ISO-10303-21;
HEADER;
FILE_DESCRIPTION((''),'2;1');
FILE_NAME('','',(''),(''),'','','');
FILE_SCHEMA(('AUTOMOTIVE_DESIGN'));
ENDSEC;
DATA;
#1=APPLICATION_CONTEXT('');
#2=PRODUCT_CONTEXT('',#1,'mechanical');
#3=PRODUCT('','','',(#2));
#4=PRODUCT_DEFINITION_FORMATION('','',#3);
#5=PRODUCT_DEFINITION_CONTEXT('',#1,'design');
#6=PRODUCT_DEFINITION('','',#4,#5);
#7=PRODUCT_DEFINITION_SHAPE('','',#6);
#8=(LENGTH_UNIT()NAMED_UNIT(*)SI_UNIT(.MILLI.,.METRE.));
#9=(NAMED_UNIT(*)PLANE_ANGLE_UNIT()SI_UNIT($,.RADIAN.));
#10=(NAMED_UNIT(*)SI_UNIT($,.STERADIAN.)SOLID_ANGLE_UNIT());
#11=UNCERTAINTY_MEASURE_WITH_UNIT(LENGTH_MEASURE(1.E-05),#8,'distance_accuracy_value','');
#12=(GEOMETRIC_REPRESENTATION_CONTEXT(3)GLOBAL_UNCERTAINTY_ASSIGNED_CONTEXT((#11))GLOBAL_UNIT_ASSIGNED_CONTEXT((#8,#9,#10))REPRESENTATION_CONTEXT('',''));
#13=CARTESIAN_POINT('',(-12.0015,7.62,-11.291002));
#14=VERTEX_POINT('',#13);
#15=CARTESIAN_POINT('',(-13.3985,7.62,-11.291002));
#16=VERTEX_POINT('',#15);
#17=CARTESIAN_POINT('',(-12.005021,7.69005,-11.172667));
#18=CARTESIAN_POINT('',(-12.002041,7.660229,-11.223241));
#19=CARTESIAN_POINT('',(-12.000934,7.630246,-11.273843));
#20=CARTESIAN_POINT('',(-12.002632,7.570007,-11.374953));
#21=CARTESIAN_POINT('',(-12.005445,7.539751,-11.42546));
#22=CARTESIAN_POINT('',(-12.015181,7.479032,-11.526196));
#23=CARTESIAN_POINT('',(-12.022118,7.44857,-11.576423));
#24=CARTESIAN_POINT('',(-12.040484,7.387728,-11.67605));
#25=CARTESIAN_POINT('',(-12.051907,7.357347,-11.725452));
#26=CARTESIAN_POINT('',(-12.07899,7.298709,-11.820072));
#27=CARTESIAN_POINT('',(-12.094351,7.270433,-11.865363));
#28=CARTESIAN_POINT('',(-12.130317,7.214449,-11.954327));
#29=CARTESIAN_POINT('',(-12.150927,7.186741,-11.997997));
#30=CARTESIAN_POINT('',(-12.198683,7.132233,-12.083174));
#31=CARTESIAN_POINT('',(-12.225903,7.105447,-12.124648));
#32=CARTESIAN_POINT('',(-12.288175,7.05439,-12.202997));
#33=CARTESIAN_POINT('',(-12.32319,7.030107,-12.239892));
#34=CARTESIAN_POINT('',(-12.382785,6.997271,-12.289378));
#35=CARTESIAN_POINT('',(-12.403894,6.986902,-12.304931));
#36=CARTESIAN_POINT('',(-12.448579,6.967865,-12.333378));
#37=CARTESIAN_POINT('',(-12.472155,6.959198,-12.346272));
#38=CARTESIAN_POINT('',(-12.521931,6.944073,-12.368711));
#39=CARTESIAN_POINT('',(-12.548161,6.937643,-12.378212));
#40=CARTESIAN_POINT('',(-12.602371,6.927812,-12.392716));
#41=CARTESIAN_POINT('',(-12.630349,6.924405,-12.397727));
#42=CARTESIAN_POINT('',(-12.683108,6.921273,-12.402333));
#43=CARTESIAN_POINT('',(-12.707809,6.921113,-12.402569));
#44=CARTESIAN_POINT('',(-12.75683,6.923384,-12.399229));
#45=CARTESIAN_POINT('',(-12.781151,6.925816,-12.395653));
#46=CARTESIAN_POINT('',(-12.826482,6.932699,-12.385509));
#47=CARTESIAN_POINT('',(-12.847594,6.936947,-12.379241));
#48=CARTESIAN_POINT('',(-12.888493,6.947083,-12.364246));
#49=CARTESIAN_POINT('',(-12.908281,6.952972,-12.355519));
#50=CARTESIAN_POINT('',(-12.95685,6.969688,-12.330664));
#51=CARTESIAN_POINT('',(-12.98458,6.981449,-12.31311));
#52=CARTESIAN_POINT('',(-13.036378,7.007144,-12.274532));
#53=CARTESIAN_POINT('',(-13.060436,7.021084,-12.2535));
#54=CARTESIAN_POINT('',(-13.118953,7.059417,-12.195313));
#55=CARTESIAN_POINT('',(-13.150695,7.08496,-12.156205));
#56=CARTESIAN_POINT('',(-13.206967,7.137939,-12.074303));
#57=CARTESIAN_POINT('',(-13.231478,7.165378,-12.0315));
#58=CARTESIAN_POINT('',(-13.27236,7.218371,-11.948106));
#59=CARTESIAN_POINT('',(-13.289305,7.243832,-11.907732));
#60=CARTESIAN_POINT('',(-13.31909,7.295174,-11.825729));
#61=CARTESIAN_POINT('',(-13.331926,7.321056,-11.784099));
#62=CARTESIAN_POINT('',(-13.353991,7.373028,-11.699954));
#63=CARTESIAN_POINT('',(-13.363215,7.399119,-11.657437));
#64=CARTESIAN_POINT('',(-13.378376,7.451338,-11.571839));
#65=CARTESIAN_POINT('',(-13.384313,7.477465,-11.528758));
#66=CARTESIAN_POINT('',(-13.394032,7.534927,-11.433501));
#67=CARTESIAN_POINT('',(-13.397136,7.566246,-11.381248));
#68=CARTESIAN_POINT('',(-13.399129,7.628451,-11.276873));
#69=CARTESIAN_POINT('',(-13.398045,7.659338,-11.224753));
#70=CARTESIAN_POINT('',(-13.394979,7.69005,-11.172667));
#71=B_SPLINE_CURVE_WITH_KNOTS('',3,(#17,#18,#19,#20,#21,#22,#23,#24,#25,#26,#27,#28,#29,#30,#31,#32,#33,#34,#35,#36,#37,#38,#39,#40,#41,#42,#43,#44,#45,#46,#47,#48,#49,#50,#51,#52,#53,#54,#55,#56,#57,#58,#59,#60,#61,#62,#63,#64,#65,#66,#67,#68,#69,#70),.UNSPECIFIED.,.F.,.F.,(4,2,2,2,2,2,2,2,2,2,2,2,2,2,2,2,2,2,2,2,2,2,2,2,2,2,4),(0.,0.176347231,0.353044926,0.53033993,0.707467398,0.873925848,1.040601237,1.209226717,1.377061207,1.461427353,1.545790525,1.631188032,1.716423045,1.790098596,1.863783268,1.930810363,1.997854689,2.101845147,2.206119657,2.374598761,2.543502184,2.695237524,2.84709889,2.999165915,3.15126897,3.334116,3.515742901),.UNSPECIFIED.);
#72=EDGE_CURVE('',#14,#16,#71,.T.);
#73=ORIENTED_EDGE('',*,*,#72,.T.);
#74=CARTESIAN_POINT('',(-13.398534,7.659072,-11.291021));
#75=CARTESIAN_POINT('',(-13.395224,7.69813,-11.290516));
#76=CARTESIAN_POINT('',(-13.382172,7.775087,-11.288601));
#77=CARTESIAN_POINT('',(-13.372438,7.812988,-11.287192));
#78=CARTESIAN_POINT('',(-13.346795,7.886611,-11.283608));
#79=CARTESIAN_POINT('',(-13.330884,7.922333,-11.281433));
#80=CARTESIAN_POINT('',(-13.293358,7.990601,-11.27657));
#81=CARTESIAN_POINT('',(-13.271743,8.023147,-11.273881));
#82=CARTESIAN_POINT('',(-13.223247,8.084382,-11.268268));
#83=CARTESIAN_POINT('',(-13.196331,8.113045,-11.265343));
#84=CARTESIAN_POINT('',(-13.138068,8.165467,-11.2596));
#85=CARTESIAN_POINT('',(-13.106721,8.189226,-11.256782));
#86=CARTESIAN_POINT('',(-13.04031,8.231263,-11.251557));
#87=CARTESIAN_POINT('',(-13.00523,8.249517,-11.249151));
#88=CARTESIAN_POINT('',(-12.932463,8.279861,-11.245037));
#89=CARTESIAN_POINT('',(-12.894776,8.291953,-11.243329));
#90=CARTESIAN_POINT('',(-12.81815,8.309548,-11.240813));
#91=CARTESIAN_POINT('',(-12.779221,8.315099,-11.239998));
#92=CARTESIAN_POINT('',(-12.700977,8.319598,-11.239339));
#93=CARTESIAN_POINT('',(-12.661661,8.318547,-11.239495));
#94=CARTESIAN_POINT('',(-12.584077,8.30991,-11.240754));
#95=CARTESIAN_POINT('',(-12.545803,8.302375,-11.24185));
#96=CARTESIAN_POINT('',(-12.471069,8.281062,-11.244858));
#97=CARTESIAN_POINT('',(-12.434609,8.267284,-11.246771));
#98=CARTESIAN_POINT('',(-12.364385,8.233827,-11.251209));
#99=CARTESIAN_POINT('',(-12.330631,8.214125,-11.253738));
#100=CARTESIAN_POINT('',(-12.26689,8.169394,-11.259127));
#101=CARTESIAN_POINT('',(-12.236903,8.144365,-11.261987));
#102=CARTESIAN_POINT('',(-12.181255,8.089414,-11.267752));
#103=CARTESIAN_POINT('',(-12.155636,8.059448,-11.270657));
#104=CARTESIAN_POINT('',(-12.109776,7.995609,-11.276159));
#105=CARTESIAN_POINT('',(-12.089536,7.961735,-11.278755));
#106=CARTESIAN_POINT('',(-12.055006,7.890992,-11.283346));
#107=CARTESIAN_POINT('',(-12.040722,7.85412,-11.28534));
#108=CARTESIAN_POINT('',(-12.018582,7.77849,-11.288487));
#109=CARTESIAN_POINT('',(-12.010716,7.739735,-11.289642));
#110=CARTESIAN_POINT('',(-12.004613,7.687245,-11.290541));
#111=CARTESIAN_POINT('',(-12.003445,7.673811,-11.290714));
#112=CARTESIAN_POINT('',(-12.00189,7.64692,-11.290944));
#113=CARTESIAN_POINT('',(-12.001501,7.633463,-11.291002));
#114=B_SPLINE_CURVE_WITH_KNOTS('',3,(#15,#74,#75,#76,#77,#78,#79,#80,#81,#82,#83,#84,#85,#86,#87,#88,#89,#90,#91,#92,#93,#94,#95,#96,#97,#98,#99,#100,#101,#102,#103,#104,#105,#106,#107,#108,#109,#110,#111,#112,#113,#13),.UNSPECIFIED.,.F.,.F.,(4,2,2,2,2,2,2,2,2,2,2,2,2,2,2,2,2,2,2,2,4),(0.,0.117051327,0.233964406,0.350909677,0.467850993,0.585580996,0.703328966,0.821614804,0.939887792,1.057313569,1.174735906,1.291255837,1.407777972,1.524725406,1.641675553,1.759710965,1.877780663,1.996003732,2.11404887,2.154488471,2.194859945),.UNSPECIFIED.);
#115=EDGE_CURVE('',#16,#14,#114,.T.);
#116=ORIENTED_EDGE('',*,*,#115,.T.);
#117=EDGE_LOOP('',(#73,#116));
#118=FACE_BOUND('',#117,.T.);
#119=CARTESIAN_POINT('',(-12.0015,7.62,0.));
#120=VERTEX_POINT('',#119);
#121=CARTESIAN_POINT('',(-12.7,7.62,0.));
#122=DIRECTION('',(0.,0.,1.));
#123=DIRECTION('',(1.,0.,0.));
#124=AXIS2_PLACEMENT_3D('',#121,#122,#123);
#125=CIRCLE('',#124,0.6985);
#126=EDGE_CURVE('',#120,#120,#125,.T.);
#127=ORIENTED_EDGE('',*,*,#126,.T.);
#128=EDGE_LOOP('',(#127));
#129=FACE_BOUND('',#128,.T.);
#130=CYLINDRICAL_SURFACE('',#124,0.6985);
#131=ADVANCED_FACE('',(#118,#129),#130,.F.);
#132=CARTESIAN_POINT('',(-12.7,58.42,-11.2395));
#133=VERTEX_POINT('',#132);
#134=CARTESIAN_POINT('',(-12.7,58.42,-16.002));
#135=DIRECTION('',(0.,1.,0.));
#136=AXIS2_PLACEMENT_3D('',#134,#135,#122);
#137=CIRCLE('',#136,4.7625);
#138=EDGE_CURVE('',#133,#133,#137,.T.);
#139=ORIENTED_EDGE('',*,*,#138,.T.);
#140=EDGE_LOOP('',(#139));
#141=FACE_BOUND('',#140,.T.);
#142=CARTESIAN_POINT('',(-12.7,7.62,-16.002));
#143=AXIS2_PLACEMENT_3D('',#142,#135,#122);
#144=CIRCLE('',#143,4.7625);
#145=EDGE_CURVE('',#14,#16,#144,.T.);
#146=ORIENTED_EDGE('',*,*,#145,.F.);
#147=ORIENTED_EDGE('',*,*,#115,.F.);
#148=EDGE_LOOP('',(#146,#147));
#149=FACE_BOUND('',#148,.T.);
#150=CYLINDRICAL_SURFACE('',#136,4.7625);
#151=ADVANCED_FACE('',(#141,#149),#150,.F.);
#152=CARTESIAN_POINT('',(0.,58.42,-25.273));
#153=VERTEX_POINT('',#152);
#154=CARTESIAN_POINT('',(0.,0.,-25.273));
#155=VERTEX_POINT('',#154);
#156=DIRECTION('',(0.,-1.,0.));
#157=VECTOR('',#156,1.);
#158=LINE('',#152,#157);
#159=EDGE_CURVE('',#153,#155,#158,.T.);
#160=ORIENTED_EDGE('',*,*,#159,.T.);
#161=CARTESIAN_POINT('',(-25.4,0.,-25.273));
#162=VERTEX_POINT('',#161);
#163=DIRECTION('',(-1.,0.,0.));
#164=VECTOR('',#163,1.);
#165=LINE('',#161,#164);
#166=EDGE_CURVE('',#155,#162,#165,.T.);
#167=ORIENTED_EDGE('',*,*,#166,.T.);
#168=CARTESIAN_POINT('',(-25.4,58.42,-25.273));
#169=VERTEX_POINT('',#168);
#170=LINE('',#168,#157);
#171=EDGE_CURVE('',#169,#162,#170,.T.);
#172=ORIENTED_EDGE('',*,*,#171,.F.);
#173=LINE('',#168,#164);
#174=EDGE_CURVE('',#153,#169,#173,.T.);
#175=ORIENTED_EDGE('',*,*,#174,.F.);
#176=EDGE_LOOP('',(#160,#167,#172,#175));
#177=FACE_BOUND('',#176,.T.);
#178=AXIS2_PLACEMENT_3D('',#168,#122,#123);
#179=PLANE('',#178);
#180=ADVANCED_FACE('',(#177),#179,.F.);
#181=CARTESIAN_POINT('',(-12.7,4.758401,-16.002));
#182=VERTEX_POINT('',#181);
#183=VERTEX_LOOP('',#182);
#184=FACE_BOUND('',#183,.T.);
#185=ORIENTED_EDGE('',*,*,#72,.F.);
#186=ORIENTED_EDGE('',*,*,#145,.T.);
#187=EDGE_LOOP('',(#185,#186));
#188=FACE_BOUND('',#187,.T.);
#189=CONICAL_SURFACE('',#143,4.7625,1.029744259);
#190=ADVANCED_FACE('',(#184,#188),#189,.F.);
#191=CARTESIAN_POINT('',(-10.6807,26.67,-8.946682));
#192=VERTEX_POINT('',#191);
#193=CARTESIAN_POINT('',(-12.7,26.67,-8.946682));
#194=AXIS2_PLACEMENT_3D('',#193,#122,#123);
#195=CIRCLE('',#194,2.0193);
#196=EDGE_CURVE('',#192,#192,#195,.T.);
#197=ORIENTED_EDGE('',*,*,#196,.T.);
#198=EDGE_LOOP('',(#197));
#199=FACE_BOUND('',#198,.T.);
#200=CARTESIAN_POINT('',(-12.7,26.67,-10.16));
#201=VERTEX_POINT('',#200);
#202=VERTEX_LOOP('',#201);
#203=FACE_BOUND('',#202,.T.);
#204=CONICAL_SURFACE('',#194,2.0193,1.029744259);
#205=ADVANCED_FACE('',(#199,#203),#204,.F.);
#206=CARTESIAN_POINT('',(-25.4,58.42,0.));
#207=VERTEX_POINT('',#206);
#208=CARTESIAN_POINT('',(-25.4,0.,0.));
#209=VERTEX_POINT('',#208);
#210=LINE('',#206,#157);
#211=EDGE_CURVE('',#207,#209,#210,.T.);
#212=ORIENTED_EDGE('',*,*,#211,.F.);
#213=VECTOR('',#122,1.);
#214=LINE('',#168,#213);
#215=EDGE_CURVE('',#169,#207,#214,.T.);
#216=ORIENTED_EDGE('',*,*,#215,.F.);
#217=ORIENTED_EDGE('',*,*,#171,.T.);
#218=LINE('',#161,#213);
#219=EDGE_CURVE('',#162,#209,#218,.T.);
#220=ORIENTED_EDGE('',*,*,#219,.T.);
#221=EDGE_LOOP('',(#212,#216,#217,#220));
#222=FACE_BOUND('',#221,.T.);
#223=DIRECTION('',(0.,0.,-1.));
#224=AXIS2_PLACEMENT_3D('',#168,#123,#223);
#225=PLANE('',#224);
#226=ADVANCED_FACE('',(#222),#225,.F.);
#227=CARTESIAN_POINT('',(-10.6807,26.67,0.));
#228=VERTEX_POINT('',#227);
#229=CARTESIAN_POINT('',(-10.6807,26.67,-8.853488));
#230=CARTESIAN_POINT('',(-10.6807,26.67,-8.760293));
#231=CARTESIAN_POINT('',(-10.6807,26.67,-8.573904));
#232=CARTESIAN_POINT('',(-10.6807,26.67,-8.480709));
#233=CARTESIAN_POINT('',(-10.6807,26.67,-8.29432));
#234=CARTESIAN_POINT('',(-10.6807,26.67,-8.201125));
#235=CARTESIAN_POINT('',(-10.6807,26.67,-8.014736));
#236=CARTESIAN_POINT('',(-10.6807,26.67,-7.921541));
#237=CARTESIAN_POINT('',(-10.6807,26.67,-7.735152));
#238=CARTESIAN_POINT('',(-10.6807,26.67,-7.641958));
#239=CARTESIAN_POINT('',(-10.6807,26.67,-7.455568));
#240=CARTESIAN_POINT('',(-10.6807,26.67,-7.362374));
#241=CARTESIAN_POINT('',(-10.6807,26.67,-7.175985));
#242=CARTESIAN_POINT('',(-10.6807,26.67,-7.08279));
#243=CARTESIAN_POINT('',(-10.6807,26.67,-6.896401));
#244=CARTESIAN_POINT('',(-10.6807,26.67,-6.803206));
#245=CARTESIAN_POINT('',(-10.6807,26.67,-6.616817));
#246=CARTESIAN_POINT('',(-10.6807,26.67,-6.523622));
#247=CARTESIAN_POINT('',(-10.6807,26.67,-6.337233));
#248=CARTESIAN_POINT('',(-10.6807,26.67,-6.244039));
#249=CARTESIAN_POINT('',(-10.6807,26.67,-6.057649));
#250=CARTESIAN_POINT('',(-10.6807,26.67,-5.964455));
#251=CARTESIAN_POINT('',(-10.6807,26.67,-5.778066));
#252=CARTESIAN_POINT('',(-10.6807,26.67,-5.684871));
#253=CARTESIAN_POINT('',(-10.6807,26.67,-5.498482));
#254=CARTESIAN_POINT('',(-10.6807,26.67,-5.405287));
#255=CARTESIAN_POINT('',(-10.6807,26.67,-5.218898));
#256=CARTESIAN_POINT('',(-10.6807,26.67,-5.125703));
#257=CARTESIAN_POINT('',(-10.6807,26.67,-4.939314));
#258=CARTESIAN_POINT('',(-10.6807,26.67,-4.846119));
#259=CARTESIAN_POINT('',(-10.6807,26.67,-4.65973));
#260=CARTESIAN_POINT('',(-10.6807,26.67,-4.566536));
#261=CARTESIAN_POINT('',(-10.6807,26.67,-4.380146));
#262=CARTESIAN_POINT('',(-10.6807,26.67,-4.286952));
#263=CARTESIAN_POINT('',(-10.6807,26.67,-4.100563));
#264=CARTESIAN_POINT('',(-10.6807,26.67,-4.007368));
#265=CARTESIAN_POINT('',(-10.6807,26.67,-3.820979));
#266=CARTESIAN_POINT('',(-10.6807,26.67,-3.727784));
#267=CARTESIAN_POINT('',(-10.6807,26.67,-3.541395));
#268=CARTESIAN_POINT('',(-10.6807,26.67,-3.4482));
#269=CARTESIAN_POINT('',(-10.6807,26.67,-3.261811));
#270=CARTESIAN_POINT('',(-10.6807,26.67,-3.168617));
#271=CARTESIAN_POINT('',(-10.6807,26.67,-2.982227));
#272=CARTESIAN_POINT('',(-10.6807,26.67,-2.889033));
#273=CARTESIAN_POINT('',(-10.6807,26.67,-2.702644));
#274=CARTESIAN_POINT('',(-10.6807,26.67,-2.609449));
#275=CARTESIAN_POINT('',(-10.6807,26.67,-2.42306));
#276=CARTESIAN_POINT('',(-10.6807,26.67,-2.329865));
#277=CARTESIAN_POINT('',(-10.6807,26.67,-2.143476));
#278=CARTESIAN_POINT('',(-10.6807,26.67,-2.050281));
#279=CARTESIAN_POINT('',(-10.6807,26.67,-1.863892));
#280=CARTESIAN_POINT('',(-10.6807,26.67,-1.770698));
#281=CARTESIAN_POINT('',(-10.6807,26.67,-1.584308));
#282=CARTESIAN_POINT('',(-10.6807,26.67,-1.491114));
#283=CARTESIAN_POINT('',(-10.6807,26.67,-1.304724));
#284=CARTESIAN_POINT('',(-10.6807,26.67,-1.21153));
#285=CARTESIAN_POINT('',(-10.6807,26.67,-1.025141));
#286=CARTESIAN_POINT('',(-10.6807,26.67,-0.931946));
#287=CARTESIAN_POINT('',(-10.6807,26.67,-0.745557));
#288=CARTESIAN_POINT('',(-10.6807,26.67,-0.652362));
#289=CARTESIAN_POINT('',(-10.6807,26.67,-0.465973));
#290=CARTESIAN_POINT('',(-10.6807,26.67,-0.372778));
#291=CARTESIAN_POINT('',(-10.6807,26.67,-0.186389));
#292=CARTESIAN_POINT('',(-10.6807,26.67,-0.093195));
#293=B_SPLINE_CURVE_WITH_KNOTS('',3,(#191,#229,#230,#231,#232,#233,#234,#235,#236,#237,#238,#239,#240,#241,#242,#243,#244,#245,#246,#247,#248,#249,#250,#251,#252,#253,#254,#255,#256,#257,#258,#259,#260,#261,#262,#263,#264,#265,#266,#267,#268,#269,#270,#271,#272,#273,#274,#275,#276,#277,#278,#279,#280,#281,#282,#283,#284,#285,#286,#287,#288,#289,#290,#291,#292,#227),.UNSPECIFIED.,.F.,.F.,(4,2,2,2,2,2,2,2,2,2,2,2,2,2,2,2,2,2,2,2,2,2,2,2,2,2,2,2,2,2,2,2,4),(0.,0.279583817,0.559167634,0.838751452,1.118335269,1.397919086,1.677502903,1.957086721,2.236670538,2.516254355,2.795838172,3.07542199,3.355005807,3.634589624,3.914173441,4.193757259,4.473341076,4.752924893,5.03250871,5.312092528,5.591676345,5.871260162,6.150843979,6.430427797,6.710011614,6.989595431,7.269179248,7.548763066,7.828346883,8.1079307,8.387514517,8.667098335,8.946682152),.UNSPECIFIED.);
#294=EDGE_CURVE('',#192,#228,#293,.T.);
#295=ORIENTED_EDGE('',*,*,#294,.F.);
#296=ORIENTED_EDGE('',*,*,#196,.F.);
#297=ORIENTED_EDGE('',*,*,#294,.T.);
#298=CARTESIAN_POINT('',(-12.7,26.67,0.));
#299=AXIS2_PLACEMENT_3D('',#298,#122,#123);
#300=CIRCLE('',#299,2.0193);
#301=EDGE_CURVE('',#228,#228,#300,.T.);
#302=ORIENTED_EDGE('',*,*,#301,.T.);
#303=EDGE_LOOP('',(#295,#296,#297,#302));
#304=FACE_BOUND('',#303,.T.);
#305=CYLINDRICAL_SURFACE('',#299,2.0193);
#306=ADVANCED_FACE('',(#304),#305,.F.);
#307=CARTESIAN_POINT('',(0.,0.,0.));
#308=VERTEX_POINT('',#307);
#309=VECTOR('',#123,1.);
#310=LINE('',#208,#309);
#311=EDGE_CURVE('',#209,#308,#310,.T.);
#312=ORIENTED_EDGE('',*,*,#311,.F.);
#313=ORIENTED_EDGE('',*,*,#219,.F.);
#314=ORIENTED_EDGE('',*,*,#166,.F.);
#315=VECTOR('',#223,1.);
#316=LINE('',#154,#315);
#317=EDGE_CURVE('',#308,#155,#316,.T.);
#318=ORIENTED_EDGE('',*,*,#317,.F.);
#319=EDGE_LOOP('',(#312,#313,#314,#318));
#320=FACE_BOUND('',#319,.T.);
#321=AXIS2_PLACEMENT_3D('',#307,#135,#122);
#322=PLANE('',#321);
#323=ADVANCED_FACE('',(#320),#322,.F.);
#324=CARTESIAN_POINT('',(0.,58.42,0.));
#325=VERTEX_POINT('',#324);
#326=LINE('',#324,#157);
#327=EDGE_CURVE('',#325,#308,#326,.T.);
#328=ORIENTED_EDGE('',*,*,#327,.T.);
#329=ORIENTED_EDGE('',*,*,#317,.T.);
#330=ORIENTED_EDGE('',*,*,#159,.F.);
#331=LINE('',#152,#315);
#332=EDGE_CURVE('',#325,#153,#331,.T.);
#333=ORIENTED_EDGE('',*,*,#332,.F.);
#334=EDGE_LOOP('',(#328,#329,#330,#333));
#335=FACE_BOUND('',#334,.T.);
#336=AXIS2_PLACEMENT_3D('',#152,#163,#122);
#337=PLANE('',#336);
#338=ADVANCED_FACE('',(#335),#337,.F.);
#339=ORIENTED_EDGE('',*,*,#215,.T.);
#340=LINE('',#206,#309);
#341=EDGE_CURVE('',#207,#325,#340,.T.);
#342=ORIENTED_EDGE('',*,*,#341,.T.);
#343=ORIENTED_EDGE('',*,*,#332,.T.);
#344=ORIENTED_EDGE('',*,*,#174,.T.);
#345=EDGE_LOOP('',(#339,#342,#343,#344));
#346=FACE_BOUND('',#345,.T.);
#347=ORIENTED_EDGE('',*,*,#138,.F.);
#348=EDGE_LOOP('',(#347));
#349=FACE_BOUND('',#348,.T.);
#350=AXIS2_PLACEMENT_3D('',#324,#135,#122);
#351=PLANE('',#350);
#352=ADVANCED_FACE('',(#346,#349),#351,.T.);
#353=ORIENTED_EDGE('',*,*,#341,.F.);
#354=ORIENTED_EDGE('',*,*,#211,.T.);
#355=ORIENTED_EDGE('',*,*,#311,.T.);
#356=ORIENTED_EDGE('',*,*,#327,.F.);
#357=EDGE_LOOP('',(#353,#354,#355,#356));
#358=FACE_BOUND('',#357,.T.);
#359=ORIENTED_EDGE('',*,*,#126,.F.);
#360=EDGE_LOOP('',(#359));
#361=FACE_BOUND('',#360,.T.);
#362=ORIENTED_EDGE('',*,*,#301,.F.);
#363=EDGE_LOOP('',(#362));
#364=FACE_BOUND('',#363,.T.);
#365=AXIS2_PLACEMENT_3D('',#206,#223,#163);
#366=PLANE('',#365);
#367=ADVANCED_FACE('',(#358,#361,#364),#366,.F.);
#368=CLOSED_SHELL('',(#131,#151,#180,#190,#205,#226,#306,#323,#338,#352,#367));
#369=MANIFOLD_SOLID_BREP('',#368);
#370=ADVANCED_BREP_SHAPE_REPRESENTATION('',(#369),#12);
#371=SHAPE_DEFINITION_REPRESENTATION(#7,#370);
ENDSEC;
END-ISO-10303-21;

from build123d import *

# Parameters (mm, degrees)
SKETCH1_W                        = 25.4
SKETCH1_H                        = 25.273
BOSS_EXTRUDE1_DEPTH              = 58.42
F_54_0_055_DIAMETER_HOLE1_D      = 1.397
F_54_0_055_DIAMETER_HOLE1_DEPTH  = 12.7
F_54_0_055_DIAMETER_HOLE1_TIP    = 0.419701142
F_3_8_0_375_DIAMETER_HOLE2_D     = 9.525
F_3_8_0_375_DIAMETER_HOLE2_DEPTH = 50.8
F_3_8_0_375_DIAMETER_HOLE2_TIP   = 2.861598698
F_10_32_TAPPED_HOLE1_D           = 4.0386
F_10_32_TAPPED_HOLE1_DEPTH       = 8.946682152
F_10_32_TAPPED_HOLE1_TIP         = 1.213317848


with BuildPart() as part:
    # Sketch1 → Boss-Extrude1 (new body)
    with BuildSketch(Plane(origin=(0, 0, 0), x_dir=(1, 0, 0), z_dir=(0, 1, 0))):
        with Locations((-12.7, 12.6365)):
            Rectangle(SKETCH1_W, SKETCH1_H)
    extrude(amount=BOSS_EXTRUDE1_DEPTH)

    # #54 (0.055) Diameter Hole1
    with Locations(Plane(origin=(-12.7, 7.62, 0), x_dir=(1, 0, 0), z_dir=(0, 0, 1))):
        with Locations((0, 0)):
            Hole(F_54_0_055_DIAMETER_HOLE1_D / 2, depth=F_54_0_055_DIAMETER_HOLE1_DEPTH)
            with Locations((0, 0, -(F_54_0_055_DIAMETER_HOLE1_DEPTH + F_54_0_055_DIAMETER_HOLE1_TIP / 2))):  # 118° drill point
                Cone(0, F_54_0_055_DIAMETER_HOLE1_D / 2, F_54_0_055_DIAMETER_HOLE1_TIP, mode=Mode.SUBTRACT)

    # 3/8 (0.375) Diameter Hole2
    with Locations(Plane(origin=(-12.7, 58.42, -16.002), x_dir=(0, 0, 1), z_dir=(0, 1, 0))):
        with Locations((0, 0)):
            Hole(F_3_8_0_375_DIAMETER_HOLE2_D / 2, depth=F_3_8_0_375_DIAMETER_HOLE2_DEPTH)
            with Locations((0, 0, -(F_3_8_0_375_DIAMETER_HOLE2_DEPTH + F_3_8_0_375_DIAMETER_HOLE2_TIP / 2))):  # 118° drill point
                Cone(0, F_3_8_0_375_DIAMETER_HOLE2_D / 2, F_3_8_0_375_DIAMETER_HOLE2_TIP, mode=Mode.SUBTRACT)

    # #10-32 Tapped Hole1
    with Locations(Plane(origin=(-12.7, 26.67, 0), x_dir=(1, 0, 0), z_dir=(0, 0, 1))):
        with Locations((0, 0)):
            Hole(F_10_32_TAPPED_HOLE1_D / 2, depth=F_10_32_TAPPED_HOLE1_DEPTH)
            with Locations((0, 0, -(F_10_32_TAPPED_HOLE1_DEPTH + F_10_32_TAPPED_HOLE1_TIP / 2))):  # 118° drill point
                Cone(0, F_10_32_TAPPED_HOLE1_D / 2, F_10_32_TAPPED_HOLE1_TIP, mode=Mode.SUBTRACT)


solid = part.part
